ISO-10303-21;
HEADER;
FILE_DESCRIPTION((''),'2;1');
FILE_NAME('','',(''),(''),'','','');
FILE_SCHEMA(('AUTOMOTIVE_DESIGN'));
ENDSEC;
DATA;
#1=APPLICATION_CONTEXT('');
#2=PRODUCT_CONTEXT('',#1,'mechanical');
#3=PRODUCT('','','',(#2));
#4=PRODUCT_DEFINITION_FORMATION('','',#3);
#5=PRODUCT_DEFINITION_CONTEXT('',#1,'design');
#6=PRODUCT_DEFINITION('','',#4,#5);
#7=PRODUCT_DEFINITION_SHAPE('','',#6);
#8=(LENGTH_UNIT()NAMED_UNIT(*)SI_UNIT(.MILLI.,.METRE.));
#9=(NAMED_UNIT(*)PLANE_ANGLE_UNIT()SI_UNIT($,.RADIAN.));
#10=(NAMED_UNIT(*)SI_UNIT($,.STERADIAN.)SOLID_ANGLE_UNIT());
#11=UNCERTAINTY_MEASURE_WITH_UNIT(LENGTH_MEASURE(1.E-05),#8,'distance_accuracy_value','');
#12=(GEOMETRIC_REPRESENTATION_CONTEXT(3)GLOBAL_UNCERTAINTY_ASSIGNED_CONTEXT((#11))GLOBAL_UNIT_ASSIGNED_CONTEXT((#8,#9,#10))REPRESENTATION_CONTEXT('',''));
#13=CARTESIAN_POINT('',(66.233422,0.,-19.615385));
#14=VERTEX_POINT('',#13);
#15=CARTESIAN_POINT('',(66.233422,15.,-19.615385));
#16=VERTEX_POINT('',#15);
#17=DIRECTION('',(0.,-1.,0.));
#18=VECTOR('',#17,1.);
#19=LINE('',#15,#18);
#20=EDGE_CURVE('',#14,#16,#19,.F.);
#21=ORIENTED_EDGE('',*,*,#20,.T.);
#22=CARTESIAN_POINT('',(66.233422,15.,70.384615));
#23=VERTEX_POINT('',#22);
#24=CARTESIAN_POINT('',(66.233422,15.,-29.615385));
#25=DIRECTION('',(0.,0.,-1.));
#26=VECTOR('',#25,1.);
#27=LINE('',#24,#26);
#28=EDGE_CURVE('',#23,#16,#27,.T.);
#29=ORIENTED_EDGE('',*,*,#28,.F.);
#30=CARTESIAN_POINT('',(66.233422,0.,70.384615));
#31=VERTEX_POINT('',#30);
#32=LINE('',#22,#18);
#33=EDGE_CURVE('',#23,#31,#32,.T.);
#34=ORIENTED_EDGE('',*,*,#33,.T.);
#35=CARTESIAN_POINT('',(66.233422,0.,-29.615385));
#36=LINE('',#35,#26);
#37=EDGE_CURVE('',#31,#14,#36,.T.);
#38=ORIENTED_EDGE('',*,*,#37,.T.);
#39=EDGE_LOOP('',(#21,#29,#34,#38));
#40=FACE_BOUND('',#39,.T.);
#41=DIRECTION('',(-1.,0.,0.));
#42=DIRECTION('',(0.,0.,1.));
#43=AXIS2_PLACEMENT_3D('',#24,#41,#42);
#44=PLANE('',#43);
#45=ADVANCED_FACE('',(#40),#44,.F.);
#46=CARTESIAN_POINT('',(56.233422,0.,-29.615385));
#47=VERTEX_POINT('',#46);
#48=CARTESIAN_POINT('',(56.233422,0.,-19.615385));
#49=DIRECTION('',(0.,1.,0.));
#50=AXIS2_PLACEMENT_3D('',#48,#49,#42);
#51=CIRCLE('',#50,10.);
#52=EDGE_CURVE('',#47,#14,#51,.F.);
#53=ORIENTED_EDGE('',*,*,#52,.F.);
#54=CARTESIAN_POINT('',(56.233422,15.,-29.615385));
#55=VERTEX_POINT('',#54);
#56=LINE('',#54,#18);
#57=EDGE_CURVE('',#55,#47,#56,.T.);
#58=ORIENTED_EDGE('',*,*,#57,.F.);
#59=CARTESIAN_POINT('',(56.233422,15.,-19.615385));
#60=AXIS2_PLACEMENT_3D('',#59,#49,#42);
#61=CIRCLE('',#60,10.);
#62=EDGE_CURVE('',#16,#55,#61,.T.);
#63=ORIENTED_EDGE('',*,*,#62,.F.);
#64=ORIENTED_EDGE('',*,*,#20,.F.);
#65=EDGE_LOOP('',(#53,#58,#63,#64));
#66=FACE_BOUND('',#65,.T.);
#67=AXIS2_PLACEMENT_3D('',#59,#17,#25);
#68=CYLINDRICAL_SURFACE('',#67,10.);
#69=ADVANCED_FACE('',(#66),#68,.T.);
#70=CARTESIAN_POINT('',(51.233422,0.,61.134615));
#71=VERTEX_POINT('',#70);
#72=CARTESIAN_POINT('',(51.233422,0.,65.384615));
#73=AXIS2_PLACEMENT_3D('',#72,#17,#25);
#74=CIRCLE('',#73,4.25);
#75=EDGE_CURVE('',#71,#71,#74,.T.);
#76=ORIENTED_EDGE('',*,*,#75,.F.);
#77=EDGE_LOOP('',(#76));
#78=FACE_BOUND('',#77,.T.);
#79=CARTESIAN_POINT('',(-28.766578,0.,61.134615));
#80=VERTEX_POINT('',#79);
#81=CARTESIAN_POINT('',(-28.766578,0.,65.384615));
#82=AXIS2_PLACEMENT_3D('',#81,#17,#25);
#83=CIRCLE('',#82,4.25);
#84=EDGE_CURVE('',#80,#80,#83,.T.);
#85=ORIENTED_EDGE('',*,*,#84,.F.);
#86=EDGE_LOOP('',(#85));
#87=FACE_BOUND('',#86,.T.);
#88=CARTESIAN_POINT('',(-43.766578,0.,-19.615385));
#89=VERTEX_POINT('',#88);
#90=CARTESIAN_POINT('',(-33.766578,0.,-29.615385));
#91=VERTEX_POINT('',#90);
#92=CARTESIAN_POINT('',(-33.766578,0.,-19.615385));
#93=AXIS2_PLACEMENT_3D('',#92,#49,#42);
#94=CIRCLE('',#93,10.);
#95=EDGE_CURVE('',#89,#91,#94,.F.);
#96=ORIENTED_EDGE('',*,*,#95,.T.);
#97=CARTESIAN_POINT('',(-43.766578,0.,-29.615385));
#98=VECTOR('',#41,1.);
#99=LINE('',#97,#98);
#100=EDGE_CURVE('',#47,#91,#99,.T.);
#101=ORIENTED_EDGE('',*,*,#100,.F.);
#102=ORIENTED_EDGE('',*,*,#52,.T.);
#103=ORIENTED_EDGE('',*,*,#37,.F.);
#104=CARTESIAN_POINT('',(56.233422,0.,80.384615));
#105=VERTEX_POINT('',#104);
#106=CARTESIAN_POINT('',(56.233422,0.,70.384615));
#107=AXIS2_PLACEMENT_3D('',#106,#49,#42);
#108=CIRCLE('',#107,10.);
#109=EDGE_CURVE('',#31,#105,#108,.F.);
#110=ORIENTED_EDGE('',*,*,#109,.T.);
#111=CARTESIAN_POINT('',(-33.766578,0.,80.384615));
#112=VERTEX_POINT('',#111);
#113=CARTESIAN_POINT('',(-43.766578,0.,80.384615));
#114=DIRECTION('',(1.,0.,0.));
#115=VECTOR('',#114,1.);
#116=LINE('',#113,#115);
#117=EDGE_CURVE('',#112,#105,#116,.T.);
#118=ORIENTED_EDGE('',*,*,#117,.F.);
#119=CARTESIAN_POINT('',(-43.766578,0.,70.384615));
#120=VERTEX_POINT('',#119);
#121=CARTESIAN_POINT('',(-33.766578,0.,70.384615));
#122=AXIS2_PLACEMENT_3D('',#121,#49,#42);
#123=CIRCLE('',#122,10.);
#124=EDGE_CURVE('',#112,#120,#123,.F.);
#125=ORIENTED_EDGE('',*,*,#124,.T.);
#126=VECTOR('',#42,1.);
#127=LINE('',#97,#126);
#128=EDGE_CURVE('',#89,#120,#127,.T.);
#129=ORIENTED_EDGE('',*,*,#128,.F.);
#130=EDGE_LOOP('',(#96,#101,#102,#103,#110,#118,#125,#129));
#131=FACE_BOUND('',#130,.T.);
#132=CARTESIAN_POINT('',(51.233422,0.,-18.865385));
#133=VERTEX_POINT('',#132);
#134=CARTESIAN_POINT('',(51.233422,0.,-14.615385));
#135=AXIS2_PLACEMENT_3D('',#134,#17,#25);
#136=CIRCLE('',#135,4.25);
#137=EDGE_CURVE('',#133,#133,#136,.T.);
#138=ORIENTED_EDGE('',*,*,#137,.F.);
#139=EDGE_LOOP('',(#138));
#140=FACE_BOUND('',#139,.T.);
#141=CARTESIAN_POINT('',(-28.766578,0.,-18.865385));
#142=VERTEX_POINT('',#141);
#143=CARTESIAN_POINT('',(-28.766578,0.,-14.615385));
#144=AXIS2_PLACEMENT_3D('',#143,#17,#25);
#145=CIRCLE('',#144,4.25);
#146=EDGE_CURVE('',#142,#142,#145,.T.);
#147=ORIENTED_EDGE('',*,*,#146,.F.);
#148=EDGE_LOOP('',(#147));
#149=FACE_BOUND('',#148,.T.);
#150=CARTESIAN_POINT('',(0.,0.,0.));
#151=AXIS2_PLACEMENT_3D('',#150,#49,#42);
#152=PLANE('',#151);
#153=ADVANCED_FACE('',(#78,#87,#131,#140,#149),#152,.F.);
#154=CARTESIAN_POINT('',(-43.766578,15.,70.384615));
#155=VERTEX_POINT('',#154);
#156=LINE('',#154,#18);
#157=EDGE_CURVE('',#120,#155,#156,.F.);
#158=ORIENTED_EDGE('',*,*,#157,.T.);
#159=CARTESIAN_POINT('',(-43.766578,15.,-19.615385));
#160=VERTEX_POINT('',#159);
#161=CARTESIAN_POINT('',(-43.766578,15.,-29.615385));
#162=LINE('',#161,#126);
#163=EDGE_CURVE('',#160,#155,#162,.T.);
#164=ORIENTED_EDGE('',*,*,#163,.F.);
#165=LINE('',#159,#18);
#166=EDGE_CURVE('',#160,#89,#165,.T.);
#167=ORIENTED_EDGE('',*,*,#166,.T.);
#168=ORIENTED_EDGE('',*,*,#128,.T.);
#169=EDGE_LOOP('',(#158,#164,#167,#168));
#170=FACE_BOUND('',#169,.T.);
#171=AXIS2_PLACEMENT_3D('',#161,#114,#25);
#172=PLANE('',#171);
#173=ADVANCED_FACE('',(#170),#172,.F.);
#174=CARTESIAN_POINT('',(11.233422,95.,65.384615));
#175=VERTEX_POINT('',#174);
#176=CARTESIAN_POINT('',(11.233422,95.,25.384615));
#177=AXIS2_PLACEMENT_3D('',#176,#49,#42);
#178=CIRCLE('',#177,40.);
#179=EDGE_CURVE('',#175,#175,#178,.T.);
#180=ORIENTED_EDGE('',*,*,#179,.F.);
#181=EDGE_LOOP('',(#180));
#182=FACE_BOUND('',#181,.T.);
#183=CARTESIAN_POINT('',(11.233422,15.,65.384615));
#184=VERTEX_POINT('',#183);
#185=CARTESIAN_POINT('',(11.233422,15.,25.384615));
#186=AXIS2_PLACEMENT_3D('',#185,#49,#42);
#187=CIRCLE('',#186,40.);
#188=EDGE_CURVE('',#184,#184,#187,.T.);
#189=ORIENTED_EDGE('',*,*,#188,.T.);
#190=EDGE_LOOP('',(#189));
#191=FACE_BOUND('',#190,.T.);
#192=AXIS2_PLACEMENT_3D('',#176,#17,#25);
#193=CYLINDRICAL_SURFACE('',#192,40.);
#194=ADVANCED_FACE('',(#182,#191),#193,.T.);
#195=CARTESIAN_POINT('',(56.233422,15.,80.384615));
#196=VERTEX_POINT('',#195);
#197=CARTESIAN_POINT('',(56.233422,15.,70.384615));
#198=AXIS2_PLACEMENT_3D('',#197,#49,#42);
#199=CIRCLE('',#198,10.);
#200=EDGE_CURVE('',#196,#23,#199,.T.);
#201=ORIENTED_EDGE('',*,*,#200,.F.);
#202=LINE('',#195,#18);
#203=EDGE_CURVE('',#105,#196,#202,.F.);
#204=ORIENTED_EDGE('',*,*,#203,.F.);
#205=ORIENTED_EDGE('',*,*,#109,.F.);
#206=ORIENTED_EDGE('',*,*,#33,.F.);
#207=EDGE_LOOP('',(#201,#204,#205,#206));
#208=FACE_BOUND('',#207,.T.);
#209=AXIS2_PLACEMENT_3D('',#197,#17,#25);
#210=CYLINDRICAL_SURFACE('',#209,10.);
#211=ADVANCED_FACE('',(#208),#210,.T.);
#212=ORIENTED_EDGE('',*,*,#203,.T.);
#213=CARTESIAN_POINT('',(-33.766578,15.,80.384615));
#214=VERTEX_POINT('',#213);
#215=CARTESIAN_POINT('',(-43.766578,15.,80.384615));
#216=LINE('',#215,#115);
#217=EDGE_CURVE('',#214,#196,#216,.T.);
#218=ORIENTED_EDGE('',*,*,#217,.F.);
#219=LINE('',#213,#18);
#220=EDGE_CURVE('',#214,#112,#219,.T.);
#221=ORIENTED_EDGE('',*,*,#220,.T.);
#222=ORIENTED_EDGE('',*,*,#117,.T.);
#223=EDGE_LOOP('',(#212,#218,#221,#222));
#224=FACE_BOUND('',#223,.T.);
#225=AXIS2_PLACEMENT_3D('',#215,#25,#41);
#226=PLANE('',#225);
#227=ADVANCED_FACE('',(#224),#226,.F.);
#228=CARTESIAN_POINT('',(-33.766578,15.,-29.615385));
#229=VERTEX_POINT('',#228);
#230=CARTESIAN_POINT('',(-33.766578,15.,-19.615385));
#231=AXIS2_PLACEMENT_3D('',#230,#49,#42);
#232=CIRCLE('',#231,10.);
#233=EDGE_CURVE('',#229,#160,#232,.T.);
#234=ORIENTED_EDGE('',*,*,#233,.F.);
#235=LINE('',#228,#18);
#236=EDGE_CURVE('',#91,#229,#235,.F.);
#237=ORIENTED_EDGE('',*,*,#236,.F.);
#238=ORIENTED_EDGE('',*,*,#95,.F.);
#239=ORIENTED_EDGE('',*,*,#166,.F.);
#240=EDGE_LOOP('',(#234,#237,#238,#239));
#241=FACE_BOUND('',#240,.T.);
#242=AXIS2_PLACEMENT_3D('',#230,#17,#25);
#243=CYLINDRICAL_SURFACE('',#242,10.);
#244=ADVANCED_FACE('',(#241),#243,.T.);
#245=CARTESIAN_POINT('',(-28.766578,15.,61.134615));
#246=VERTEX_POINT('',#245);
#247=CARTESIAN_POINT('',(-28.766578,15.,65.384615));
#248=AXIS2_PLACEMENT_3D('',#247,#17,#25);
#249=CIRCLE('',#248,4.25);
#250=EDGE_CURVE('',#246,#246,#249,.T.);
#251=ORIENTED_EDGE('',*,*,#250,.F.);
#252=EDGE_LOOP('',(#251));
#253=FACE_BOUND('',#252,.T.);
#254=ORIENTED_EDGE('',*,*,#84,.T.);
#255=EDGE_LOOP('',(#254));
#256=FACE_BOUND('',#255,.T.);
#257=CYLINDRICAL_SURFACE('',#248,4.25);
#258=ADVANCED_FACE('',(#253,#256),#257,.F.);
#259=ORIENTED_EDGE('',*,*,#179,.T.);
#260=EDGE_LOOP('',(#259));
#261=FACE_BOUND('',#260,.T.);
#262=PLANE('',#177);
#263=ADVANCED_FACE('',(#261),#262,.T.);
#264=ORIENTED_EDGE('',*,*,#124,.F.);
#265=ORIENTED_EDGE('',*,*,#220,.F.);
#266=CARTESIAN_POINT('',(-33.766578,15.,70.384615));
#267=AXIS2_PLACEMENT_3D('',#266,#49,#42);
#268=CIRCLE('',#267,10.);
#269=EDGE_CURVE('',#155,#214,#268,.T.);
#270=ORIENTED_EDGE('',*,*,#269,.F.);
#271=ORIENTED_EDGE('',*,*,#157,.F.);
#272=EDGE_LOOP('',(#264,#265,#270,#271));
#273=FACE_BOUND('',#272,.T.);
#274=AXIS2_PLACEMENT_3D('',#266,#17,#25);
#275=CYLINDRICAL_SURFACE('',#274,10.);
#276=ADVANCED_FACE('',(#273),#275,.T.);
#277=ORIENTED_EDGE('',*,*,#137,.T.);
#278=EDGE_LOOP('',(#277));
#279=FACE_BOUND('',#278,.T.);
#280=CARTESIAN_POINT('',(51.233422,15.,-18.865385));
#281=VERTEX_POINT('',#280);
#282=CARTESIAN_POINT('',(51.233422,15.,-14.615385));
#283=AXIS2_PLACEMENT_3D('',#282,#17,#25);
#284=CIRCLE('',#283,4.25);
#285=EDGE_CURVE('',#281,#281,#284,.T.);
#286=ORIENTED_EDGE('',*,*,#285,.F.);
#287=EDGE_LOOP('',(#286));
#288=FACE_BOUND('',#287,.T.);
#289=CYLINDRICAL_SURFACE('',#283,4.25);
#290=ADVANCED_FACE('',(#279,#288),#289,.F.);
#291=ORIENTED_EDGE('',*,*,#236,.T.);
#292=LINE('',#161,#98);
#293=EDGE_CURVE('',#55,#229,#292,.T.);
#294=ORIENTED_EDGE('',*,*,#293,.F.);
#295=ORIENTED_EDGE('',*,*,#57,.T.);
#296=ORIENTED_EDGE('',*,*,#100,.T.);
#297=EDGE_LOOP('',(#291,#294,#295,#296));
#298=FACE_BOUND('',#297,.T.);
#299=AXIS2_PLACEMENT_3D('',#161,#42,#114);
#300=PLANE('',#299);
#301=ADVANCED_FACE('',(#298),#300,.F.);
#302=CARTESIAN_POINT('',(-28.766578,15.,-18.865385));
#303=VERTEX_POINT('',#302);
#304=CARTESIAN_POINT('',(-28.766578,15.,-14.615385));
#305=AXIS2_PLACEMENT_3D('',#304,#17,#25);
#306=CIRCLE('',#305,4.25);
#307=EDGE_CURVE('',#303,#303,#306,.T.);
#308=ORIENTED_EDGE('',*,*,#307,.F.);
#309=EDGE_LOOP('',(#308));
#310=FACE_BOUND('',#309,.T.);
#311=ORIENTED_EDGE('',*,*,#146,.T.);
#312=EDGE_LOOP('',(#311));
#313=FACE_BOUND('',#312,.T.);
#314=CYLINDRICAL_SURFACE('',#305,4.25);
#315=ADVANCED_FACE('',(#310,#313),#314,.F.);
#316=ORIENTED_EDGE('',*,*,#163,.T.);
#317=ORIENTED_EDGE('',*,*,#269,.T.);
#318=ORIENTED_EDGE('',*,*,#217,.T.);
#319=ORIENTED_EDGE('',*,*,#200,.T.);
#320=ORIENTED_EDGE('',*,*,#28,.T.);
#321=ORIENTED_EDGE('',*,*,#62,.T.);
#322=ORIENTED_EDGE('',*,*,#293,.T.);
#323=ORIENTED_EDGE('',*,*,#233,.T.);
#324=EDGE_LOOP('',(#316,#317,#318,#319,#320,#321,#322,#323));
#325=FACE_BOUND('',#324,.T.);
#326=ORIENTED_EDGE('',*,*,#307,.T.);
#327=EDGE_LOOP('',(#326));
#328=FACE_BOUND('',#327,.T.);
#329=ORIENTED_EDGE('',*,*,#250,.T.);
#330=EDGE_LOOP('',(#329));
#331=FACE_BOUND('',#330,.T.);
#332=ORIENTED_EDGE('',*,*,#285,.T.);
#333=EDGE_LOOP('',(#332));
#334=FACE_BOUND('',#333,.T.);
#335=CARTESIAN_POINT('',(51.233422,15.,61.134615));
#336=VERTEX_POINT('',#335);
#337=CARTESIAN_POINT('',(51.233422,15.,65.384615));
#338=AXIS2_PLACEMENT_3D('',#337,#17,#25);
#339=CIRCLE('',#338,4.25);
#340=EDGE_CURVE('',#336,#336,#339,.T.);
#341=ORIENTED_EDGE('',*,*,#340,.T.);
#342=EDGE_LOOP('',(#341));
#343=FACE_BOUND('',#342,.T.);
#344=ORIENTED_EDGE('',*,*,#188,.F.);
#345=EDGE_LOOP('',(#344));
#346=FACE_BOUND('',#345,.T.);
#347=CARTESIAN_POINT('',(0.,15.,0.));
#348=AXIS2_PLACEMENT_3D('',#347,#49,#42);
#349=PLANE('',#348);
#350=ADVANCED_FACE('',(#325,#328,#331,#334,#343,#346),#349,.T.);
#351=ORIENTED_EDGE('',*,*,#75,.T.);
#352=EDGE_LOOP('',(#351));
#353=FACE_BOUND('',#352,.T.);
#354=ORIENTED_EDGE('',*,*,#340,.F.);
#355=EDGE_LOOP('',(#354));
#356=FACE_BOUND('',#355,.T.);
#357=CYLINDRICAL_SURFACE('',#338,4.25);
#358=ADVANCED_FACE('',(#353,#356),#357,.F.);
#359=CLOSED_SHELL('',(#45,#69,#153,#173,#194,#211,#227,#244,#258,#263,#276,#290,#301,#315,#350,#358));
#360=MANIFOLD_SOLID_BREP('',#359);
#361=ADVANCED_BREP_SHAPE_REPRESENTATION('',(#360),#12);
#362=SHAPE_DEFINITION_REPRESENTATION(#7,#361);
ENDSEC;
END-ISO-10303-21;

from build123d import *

# Parameters (mm, degrees)
SKETCH1_W           = 110
SKETCH1_H           = 110
BOSS_EXTRUDE1_DEPTH = 15
SKETCH3_R           = 4.25
CUT_EXTRUDE1_DEPTH  = 15
FILLET1_R           = 10
SKETCH4_R           = 40
BOSS_EXTRUDE2_DEPTH = 80


with BuildPart() as part:
    # Sketch1 → Boss-Extrude1 (new body)
    with BuildSketch(Plane(origin=(0, 0, 0), x_dir=(1, 0, 0), z_dir=(0, 1, 0))):
        with Locations((11.233421751, -25.384615385)):
            Rectangle(SKETCH1_W, SKETCH1_H)
    extrude(amount=BOSS_EXTRUDE1_DEPTH)

    # Sketch3 → Cut-Extrude1 (cut)
    with BuildSketch(Plane(origin=(0, 0, 0), x_dir=(-1, 0, 0), z_dir=(0, -1, 0))):
        with Locations(Location((28.766578249, -65.384615385, 0), (0, 0, 90))):
            Circle(SKETCH3_R)
        with Locations(Location((-51.233421751, -65.384615385, 0), (0, 0, 90))):
            Circle(SKETCH3_R)
        with Locations(Location((-51.233421751, 14.615384615, 0), (0, 0, 90))):
            Circle(SKETCH3_R)
        with Locations(Location((28.766578249, 14.615384615, 0), (0, 0, 90))):
            Circle(SKETCH3_R)
    extrude(amount=-CUT_EXTRUDE1_DEPTH, mode=Mode.SUBTRACT)

    # Fillet1
    fillet1_edges = [part.edges().sort_by_distance(p)[0] for p in [
        (-43.766578249, 7.5, -29.615384615),
        (66.233421751, 7.5, -29.615384615),
        (66.233421751, 7.5, 80.384615385),
        (-43.766578249, 7.5, 80.384615385),
    ]]
    fillet(fillet1_edges, radius=FILLET1_R)

    # Sketch4 → Boss-Extrude2 (add)
    with BuildSketch(Plane(origin=(0, 15, 0), x_dir=(1, 0, 0), z_dir=(0, 1, 0))):
        with Locations(Location((11.233421751, -25.384615385, 0), (0, 0, 270))):
            Circle(SKETCH4_R)
    extrude(amount=BOSS_EXTRUDE2_DEPTH)


solid = part.part
